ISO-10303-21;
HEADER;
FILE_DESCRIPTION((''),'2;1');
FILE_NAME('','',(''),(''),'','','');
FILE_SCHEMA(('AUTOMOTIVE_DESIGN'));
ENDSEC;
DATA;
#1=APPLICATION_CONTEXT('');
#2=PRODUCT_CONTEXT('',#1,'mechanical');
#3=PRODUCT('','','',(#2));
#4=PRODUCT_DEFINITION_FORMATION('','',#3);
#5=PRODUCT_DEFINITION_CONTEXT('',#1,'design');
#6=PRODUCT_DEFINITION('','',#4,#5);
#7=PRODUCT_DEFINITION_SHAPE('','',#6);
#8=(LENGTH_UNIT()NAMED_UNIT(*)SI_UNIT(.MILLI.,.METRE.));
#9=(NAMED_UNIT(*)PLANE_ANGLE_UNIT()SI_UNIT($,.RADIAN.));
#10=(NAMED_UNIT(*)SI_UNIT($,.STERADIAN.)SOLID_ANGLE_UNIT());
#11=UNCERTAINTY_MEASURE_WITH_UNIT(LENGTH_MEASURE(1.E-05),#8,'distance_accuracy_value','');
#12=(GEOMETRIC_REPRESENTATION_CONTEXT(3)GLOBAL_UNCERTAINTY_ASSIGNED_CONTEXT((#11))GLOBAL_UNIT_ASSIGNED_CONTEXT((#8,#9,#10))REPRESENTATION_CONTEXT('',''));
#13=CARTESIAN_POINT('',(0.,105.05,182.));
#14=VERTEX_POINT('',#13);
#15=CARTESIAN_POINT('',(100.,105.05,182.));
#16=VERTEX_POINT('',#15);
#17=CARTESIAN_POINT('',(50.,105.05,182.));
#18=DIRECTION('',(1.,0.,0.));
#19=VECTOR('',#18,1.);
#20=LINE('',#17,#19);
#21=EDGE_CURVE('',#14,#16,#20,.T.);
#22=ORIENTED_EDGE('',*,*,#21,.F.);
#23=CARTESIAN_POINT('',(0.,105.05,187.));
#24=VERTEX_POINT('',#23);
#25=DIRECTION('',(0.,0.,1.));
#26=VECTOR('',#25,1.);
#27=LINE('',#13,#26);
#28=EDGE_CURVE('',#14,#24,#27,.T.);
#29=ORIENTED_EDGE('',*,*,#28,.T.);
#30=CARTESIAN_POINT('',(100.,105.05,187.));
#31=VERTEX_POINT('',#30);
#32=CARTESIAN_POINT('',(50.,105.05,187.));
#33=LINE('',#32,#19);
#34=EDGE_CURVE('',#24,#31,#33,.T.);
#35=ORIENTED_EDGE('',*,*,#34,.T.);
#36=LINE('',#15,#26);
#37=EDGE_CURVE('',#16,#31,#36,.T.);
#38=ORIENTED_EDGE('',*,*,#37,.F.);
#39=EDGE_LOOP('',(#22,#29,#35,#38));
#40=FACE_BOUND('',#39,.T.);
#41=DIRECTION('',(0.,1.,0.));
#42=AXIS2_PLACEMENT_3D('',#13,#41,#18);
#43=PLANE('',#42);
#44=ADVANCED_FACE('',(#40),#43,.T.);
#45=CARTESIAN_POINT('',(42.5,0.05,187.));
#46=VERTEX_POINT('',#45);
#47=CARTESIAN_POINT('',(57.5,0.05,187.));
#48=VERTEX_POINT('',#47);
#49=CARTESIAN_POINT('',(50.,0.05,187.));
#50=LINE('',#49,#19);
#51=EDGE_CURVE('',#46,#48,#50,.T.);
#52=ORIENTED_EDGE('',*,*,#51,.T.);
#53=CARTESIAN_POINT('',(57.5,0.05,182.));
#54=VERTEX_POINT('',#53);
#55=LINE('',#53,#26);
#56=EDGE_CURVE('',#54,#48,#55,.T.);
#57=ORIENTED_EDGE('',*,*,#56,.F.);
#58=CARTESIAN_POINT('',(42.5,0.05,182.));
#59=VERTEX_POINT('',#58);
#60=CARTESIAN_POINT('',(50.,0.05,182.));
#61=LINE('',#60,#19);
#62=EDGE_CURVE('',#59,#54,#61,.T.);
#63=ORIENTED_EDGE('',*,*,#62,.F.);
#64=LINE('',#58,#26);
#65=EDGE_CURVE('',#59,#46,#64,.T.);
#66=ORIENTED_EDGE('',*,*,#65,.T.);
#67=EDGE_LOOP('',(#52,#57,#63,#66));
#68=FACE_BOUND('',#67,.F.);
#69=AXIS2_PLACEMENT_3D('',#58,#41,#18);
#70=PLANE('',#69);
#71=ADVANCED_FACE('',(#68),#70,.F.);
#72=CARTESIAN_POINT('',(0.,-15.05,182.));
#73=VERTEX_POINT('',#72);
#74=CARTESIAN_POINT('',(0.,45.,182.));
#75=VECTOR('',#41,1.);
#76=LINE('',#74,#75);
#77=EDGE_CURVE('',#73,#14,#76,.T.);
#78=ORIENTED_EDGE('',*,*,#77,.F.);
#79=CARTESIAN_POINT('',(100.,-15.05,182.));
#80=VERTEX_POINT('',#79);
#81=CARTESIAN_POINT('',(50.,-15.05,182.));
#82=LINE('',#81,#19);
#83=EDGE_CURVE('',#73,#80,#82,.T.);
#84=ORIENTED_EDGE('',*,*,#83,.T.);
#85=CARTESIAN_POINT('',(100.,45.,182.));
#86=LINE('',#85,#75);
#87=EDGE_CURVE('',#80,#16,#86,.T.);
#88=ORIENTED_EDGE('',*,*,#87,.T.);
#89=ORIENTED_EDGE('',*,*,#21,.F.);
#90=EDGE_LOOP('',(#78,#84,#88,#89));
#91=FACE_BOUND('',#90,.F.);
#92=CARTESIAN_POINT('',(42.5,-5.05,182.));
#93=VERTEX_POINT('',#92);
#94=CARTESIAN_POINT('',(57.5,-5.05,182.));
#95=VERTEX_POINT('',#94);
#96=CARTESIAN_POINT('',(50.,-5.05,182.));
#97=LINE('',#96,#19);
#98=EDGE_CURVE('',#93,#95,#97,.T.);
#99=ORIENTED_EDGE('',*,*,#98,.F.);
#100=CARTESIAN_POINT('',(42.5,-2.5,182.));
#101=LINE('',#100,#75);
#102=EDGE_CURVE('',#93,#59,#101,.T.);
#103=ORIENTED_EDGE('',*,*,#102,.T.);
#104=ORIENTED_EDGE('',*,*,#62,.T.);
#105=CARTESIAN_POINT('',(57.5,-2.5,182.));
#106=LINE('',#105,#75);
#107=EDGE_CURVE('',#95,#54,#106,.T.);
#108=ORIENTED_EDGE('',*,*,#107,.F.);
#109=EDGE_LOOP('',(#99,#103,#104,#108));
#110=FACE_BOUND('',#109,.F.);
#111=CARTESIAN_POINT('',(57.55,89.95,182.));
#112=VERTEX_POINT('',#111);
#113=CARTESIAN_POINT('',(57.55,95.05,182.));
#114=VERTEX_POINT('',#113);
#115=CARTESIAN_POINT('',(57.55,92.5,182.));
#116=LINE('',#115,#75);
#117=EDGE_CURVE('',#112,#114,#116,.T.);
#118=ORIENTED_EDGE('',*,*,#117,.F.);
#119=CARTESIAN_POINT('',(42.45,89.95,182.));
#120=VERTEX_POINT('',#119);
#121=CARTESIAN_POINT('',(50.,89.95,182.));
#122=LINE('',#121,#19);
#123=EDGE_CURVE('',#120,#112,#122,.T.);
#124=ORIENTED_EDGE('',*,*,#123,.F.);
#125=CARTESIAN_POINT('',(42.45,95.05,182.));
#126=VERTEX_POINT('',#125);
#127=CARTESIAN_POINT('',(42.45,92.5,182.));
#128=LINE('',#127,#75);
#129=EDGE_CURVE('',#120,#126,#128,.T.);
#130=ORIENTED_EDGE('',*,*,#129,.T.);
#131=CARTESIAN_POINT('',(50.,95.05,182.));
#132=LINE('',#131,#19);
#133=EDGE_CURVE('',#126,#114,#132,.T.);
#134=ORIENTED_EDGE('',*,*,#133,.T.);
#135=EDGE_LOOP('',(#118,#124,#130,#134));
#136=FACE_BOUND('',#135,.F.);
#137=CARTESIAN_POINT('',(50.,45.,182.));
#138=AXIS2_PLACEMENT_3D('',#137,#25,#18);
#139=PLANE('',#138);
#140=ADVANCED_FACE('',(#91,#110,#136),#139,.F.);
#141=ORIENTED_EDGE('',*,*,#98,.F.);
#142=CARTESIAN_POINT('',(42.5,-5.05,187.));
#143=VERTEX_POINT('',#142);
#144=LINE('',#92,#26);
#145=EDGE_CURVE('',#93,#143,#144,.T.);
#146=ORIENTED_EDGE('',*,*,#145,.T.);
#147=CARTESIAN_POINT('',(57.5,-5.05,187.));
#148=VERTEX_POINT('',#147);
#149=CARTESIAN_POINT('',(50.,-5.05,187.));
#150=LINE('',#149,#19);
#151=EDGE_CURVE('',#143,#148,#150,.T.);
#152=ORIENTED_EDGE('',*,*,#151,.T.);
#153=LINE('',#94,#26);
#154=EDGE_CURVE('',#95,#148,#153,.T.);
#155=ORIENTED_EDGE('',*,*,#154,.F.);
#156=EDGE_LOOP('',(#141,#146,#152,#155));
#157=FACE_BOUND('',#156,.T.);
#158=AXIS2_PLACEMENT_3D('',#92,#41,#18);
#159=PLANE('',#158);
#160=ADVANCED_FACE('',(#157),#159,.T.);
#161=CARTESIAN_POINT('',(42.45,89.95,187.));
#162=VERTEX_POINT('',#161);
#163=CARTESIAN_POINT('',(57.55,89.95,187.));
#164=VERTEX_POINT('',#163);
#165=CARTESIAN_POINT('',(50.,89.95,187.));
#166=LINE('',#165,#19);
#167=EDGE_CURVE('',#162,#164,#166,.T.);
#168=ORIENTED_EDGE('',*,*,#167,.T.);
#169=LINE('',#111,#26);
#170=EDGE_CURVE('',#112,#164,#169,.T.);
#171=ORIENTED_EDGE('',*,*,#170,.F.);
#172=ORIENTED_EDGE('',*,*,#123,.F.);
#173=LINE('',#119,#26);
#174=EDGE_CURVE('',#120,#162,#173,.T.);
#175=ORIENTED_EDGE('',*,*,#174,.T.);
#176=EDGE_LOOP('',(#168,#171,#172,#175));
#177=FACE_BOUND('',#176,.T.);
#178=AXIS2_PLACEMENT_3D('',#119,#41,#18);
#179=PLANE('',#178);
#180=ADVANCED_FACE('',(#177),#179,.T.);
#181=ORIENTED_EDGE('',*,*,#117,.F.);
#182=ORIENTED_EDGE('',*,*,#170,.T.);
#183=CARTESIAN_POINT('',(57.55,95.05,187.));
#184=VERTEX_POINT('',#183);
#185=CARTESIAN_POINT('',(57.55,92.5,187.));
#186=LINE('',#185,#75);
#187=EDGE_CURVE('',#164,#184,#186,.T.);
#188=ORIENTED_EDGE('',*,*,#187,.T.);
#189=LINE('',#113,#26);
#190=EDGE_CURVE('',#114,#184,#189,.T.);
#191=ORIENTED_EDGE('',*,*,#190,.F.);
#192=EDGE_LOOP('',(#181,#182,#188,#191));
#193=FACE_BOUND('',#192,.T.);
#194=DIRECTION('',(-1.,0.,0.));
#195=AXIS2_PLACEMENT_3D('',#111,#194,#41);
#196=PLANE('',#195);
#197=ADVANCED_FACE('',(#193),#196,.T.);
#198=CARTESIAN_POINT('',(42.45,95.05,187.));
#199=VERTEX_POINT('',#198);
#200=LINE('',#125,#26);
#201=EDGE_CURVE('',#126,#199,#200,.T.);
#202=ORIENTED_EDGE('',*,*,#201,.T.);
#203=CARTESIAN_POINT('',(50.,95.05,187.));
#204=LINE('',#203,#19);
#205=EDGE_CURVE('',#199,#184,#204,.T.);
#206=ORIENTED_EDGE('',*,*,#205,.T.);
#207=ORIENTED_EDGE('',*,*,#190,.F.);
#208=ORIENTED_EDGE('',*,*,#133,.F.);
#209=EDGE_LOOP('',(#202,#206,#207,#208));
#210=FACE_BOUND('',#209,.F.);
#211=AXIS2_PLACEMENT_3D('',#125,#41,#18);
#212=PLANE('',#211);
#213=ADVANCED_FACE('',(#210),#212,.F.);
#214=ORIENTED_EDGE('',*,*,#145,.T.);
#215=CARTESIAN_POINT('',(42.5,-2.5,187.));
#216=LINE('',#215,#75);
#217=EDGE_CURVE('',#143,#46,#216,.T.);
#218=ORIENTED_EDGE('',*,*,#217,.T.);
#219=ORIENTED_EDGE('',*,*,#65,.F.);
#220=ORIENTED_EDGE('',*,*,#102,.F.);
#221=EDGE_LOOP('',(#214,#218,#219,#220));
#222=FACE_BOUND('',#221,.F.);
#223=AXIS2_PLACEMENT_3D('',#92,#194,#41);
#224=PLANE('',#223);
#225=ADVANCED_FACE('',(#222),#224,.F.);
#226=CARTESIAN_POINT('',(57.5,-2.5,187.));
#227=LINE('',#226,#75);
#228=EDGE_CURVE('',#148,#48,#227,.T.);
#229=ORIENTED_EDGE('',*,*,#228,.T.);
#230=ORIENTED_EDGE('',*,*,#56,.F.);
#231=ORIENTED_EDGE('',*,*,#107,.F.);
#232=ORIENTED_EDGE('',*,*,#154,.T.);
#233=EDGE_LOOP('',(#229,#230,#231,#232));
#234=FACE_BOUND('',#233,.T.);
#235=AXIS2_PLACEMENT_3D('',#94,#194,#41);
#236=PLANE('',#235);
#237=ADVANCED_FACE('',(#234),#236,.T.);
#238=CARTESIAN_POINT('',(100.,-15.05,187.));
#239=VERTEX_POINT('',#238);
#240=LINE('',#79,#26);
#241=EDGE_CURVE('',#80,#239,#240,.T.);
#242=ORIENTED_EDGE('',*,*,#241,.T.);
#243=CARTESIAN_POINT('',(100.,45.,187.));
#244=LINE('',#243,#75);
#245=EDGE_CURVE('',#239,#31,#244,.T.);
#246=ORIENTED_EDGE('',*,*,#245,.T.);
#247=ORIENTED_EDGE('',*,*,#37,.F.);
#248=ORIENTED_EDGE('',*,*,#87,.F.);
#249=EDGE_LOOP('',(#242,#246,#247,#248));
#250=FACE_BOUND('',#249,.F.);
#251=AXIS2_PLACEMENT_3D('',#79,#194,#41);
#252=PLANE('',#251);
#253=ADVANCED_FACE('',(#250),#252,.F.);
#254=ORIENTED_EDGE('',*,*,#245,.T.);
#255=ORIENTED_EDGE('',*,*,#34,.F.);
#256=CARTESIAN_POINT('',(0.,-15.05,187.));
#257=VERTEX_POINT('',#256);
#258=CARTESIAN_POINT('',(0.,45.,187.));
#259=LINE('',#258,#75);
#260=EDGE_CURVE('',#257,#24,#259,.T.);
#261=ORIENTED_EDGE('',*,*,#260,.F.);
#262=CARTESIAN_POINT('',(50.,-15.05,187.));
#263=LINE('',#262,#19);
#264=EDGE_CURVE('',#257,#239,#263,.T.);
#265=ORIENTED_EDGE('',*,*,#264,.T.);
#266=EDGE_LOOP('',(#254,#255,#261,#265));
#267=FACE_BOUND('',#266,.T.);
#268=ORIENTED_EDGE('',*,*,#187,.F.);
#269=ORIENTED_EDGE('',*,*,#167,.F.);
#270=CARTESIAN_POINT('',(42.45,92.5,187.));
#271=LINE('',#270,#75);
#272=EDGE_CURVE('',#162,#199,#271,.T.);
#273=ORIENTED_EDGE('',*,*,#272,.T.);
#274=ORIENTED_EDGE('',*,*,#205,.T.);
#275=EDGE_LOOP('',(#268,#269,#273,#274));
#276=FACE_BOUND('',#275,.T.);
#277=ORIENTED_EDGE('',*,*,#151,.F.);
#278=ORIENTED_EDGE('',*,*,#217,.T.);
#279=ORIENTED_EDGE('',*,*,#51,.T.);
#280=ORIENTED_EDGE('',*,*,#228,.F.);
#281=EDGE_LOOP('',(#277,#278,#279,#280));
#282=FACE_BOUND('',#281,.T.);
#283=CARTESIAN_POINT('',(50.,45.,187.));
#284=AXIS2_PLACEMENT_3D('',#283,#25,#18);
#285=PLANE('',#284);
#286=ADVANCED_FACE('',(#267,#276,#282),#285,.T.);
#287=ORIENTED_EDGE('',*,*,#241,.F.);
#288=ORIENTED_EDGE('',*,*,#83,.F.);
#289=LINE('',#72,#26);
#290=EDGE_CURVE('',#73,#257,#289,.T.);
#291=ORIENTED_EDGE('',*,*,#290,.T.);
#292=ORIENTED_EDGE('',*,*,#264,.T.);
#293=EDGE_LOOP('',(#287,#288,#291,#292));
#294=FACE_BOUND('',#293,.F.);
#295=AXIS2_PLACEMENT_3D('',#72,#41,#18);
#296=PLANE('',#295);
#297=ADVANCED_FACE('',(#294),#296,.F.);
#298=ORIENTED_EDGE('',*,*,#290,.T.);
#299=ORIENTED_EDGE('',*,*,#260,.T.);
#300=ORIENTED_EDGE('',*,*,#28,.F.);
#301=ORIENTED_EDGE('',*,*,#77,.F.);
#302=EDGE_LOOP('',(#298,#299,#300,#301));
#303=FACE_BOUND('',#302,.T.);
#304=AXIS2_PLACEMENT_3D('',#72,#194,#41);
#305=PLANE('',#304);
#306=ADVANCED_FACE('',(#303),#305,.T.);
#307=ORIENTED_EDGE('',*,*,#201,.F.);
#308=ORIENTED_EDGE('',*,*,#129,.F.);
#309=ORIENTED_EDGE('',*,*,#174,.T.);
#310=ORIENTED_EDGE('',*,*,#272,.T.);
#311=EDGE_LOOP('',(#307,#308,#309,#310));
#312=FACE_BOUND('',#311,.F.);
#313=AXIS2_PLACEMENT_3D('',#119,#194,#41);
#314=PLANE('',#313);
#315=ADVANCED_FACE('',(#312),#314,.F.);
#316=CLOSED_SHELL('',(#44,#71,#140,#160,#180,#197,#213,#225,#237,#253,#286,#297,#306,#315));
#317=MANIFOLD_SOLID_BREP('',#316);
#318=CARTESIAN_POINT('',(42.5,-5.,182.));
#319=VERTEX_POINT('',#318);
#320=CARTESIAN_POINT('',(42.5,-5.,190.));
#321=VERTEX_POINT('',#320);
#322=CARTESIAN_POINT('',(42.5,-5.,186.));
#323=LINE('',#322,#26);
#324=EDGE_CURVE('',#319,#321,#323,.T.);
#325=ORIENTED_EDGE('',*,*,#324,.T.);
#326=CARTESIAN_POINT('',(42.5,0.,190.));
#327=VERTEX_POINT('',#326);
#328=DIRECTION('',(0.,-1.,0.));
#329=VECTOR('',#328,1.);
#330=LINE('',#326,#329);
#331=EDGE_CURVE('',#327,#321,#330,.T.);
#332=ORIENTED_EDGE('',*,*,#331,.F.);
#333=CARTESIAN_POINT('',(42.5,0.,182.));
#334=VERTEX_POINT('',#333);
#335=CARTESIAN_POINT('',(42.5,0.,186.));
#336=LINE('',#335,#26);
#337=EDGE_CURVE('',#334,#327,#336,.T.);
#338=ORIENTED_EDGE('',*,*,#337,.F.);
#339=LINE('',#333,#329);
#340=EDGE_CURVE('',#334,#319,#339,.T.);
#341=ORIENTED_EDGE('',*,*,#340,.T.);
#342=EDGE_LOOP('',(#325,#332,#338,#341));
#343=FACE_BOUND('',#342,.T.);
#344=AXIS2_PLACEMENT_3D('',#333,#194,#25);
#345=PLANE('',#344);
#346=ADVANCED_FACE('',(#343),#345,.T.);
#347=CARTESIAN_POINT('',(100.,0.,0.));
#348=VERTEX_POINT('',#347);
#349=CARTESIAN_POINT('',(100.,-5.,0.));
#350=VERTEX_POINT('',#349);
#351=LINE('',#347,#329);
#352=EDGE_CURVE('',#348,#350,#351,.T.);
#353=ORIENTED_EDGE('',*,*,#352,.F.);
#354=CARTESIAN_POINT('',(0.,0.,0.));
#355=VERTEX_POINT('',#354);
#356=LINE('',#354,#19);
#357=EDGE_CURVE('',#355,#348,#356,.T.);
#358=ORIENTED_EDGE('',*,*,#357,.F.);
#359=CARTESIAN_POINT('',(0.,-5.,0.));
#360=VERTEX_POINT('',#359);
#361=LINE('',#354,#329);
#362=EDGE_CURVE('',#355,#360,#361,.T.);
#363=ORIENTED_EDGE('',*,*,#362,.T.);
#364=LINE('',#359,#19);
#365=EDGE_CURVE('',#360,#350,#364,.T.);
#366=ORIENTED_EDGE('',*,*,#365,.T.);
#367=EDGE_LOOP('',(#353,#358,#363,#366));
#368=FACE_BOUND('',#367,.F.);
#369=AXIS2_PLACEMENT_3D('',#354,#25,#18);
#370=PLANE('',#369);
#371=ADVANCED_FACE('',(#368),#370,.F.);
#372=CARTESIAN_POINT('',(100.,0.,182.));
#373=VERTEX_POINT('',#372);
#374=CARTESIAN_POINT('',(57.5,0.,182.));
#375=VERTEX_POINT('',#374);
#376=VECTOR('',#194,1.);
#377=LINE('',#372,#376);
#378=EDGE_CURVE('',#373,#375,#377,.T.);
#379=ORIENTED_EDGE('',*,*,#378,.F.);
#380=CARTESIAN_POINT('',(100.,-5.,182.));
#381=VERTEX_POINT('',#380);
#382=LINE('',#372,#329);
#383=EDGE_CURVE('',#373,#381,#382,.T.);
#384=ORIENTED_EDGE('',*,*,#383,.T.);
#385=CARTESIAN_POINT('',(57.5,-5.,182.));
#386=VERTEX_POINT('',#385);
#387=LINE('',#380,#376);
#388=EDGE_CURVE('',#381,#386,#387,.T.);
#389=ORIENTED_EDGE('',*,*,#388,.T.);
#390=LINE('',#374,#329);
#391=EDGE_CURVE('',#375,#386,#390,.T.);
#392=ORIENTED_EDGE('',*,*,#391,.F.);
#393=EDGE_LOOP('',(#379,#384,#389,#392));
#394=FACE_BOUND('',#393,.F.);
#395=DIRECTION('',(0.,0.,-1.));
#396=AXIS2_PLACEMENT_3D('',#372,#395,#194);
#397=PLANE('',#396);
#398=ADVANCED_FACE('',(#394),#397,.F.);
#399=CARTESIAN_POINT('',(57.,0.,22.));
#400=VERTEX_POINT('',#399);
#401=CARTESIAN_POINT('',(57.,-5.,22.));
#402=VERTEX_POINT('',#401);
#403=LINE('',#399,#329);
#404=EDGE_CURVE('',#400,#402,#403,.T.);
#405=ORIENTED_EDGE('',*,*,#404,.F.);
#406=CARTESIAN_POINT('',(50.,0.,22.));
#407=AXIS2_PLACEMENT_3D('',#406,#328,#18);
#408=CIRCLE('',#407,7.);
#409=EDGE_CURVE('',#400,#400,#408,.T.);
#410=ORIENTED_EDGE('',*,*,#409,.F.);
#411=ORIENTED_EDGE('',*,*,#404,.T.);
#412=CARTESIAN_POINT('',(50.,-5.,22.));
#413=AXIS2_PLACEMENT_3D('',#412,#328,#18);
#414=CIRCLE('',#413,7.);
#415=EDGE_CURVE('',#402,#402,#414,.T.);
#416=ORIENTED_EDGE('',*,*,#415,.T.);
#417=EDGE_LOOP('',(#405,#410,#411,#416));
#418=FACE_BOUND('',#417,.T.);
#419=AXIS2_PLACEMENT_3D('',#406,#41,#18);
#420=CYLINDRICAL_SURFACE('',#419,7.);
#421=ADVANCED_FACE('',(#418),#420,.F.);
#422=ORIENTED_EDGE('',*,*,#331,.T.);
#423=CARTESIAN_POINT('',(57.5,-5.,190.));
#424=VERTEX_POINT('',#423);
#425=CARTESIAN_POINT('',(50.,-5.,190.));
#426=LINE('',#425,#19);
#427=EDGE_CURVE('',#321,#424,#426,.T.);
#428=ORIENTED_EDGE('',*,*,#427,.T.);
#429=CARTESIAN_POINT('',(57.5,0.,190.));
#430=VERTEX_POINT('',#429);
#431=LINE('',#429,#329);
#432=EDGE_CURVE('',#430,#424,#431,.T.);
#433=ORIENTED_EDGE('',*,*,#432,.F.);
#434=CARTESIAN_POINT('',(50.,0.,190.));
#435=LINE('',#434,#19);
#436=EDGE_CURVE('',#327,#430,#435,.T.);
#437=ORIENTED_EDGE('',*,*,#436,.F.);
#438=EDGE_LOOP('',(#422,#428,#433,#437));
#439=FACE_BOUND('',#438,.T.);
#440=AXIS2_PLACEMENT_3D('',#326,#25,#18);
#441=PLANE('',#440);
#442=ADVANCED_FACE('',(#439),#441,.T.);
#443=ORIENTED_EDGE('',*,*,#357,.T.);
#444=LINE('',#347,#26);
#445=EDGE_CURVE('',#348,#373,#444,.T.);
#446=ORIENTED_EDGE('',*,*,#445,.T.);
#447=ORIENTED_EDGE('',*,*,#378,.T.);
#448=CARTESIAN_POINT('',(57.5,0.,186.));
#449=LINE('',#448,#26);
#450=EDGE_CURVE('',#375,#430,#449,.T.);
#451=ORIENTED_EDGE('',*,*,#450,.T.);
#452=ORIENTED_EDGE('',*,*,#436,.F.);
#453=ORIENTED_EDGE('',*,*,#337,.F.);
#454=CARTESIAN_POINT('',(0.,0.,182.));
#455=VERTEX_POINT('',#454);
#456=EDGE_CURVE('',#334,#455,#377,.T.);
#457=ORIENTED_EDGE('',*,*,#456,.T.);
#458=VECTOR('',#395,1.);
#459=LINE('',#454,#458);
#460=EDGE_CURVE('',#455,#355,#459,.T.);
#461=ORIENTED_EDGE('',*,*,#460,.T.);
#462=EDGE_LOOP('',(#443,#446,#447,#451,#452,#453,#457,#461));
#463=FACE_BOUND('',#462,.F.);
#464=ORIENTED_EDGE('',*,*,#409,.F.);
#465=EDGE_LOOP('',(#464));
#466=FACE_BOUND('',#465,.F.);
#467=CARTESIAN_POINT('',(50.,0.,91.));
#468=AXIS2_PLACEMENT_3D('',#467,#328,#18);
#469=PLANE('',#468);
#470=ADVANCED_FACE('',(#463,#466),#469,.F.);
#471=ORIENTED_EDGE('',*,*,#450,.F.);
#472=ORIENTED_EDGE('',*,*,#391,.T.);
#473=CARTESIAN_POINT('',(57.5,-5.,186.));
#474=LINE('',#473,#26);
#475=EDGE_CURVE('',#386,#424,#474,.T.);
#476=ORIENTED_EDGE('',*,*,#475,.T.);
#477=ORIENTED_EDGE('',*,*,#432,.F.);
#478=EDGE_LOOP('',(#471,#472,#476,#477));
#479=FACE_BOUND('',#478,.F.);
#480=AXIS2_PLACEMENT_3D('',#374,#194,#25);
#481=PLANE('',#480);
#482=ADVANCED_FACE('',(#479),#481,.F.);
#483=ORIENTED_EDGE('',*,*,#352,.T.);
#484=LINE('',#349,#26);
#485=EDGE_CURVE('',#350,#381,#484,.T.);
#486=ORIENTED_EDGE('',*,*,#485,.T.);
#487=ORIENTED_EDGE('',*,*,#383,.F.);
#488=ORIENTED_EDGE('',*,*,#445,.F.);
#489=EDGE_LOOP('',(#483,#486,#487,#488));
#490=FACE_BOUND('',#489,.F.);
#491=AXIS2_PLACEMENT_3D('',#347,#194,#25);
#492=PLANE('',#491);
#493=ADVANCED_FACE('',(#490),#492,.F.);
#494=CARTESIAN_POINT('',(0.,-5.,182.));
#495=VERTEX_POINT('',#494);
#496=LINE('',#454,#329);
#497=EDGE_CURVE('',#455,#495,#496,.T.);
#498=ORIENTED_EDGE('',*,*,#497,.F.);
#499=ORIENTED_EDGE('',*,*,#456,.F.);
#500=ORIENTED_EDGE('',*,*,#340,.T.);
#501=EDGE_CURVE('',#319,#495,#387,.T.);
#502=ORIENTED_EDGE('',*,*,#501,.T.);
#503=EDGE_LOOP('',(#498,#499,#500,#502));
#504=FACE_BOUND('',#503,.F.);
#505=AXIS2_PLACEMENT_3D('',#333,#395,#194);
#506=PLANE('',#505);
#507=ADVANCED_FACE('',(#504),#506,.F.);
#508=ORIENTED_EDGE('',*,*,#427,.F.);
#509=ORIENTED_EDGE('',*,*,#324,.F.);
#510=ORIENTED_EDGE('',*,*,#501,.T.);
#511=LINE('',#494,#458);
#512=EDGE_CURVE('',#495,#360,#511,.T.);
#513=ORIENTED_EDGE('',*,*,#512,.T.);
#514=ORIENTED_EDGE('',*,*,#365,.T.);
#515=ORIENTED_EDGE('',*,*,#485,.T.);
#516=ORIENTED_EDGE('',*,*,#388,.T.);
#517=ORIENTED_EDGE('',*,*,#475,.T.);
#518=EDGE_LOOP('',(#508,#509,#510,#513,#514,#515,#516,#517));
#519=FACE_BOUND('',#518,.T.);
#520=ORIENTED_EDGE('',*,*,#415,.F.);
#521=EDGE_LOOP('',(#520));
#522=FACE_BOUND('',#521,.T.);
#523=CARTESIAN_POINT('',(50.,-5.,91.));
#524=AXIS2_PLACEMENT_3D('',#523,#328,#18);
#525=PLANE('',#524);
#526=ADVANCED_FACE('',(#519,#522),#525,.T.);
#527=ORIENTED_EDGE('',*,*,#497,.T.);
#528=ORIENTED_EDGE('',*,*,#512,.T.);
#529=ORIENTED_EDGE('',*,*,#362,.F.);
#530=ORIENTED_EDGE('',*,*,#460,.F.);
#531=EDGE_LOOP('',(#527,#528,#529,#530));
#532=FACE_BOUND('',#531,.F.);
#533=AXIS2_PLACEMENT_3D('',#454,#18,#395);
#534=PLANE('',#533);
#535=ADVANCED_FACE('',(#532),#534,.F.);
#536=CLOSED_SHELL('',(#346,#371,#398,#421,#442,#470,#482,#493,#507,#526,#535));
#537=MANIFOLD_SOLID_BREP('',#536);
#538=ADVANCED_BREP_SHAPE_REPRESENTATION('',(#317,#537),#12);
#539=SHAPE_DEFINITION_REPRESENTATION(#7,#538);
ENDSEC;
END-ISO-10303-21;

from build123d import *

# Parameters (mm, degrees)
F0_R     = 7
F0_W     = 15
F0_H     = 8
F1_DEPTH = 5
F2_W     = 100
F2_H     = 120.1
F2_W_2   = 15
F2_H_2   = 5.1
F2_W_3   = 15.1
F3_DEPTH = 5


with BuildPart() as f1:
    # F0 (on Front) → F1 (new body)
    with BuildSketch(Plane.XZ):
        Polygon((0, 182), (0, 0), (100, 0), (100, 182), (57.5, 182), (42.5, 182), align=None)
        with Locations((50, 22)):
            Circle(F0_R, mode=Mode.SUBTRACT)
        with Locations((50, 186)):
            Rectangle(F0_W, F0_H)
    extrude(amount=F1_DEPTH)


with BuildPart() as f3:
    # F2 (on face) → F3 (new body)
    with BuildSketch(Plane.XY.offset(182)):
        with Locations((50, 45)):
            Rectangle(F2_W, F2_H)
        with Locations((50, -2.5)):
            Rectangle(F2_W_2, F2_H_2, mode=Mode.SUBTRACT)
        with Locations((50, 92.5)):
            Rectangle(F2_W_3, F2_H_2, mode=Mode.SUBTRACT)
    extrude(amount=F3_DEPTH)


solid = Compound([f1.part, f3.part])
